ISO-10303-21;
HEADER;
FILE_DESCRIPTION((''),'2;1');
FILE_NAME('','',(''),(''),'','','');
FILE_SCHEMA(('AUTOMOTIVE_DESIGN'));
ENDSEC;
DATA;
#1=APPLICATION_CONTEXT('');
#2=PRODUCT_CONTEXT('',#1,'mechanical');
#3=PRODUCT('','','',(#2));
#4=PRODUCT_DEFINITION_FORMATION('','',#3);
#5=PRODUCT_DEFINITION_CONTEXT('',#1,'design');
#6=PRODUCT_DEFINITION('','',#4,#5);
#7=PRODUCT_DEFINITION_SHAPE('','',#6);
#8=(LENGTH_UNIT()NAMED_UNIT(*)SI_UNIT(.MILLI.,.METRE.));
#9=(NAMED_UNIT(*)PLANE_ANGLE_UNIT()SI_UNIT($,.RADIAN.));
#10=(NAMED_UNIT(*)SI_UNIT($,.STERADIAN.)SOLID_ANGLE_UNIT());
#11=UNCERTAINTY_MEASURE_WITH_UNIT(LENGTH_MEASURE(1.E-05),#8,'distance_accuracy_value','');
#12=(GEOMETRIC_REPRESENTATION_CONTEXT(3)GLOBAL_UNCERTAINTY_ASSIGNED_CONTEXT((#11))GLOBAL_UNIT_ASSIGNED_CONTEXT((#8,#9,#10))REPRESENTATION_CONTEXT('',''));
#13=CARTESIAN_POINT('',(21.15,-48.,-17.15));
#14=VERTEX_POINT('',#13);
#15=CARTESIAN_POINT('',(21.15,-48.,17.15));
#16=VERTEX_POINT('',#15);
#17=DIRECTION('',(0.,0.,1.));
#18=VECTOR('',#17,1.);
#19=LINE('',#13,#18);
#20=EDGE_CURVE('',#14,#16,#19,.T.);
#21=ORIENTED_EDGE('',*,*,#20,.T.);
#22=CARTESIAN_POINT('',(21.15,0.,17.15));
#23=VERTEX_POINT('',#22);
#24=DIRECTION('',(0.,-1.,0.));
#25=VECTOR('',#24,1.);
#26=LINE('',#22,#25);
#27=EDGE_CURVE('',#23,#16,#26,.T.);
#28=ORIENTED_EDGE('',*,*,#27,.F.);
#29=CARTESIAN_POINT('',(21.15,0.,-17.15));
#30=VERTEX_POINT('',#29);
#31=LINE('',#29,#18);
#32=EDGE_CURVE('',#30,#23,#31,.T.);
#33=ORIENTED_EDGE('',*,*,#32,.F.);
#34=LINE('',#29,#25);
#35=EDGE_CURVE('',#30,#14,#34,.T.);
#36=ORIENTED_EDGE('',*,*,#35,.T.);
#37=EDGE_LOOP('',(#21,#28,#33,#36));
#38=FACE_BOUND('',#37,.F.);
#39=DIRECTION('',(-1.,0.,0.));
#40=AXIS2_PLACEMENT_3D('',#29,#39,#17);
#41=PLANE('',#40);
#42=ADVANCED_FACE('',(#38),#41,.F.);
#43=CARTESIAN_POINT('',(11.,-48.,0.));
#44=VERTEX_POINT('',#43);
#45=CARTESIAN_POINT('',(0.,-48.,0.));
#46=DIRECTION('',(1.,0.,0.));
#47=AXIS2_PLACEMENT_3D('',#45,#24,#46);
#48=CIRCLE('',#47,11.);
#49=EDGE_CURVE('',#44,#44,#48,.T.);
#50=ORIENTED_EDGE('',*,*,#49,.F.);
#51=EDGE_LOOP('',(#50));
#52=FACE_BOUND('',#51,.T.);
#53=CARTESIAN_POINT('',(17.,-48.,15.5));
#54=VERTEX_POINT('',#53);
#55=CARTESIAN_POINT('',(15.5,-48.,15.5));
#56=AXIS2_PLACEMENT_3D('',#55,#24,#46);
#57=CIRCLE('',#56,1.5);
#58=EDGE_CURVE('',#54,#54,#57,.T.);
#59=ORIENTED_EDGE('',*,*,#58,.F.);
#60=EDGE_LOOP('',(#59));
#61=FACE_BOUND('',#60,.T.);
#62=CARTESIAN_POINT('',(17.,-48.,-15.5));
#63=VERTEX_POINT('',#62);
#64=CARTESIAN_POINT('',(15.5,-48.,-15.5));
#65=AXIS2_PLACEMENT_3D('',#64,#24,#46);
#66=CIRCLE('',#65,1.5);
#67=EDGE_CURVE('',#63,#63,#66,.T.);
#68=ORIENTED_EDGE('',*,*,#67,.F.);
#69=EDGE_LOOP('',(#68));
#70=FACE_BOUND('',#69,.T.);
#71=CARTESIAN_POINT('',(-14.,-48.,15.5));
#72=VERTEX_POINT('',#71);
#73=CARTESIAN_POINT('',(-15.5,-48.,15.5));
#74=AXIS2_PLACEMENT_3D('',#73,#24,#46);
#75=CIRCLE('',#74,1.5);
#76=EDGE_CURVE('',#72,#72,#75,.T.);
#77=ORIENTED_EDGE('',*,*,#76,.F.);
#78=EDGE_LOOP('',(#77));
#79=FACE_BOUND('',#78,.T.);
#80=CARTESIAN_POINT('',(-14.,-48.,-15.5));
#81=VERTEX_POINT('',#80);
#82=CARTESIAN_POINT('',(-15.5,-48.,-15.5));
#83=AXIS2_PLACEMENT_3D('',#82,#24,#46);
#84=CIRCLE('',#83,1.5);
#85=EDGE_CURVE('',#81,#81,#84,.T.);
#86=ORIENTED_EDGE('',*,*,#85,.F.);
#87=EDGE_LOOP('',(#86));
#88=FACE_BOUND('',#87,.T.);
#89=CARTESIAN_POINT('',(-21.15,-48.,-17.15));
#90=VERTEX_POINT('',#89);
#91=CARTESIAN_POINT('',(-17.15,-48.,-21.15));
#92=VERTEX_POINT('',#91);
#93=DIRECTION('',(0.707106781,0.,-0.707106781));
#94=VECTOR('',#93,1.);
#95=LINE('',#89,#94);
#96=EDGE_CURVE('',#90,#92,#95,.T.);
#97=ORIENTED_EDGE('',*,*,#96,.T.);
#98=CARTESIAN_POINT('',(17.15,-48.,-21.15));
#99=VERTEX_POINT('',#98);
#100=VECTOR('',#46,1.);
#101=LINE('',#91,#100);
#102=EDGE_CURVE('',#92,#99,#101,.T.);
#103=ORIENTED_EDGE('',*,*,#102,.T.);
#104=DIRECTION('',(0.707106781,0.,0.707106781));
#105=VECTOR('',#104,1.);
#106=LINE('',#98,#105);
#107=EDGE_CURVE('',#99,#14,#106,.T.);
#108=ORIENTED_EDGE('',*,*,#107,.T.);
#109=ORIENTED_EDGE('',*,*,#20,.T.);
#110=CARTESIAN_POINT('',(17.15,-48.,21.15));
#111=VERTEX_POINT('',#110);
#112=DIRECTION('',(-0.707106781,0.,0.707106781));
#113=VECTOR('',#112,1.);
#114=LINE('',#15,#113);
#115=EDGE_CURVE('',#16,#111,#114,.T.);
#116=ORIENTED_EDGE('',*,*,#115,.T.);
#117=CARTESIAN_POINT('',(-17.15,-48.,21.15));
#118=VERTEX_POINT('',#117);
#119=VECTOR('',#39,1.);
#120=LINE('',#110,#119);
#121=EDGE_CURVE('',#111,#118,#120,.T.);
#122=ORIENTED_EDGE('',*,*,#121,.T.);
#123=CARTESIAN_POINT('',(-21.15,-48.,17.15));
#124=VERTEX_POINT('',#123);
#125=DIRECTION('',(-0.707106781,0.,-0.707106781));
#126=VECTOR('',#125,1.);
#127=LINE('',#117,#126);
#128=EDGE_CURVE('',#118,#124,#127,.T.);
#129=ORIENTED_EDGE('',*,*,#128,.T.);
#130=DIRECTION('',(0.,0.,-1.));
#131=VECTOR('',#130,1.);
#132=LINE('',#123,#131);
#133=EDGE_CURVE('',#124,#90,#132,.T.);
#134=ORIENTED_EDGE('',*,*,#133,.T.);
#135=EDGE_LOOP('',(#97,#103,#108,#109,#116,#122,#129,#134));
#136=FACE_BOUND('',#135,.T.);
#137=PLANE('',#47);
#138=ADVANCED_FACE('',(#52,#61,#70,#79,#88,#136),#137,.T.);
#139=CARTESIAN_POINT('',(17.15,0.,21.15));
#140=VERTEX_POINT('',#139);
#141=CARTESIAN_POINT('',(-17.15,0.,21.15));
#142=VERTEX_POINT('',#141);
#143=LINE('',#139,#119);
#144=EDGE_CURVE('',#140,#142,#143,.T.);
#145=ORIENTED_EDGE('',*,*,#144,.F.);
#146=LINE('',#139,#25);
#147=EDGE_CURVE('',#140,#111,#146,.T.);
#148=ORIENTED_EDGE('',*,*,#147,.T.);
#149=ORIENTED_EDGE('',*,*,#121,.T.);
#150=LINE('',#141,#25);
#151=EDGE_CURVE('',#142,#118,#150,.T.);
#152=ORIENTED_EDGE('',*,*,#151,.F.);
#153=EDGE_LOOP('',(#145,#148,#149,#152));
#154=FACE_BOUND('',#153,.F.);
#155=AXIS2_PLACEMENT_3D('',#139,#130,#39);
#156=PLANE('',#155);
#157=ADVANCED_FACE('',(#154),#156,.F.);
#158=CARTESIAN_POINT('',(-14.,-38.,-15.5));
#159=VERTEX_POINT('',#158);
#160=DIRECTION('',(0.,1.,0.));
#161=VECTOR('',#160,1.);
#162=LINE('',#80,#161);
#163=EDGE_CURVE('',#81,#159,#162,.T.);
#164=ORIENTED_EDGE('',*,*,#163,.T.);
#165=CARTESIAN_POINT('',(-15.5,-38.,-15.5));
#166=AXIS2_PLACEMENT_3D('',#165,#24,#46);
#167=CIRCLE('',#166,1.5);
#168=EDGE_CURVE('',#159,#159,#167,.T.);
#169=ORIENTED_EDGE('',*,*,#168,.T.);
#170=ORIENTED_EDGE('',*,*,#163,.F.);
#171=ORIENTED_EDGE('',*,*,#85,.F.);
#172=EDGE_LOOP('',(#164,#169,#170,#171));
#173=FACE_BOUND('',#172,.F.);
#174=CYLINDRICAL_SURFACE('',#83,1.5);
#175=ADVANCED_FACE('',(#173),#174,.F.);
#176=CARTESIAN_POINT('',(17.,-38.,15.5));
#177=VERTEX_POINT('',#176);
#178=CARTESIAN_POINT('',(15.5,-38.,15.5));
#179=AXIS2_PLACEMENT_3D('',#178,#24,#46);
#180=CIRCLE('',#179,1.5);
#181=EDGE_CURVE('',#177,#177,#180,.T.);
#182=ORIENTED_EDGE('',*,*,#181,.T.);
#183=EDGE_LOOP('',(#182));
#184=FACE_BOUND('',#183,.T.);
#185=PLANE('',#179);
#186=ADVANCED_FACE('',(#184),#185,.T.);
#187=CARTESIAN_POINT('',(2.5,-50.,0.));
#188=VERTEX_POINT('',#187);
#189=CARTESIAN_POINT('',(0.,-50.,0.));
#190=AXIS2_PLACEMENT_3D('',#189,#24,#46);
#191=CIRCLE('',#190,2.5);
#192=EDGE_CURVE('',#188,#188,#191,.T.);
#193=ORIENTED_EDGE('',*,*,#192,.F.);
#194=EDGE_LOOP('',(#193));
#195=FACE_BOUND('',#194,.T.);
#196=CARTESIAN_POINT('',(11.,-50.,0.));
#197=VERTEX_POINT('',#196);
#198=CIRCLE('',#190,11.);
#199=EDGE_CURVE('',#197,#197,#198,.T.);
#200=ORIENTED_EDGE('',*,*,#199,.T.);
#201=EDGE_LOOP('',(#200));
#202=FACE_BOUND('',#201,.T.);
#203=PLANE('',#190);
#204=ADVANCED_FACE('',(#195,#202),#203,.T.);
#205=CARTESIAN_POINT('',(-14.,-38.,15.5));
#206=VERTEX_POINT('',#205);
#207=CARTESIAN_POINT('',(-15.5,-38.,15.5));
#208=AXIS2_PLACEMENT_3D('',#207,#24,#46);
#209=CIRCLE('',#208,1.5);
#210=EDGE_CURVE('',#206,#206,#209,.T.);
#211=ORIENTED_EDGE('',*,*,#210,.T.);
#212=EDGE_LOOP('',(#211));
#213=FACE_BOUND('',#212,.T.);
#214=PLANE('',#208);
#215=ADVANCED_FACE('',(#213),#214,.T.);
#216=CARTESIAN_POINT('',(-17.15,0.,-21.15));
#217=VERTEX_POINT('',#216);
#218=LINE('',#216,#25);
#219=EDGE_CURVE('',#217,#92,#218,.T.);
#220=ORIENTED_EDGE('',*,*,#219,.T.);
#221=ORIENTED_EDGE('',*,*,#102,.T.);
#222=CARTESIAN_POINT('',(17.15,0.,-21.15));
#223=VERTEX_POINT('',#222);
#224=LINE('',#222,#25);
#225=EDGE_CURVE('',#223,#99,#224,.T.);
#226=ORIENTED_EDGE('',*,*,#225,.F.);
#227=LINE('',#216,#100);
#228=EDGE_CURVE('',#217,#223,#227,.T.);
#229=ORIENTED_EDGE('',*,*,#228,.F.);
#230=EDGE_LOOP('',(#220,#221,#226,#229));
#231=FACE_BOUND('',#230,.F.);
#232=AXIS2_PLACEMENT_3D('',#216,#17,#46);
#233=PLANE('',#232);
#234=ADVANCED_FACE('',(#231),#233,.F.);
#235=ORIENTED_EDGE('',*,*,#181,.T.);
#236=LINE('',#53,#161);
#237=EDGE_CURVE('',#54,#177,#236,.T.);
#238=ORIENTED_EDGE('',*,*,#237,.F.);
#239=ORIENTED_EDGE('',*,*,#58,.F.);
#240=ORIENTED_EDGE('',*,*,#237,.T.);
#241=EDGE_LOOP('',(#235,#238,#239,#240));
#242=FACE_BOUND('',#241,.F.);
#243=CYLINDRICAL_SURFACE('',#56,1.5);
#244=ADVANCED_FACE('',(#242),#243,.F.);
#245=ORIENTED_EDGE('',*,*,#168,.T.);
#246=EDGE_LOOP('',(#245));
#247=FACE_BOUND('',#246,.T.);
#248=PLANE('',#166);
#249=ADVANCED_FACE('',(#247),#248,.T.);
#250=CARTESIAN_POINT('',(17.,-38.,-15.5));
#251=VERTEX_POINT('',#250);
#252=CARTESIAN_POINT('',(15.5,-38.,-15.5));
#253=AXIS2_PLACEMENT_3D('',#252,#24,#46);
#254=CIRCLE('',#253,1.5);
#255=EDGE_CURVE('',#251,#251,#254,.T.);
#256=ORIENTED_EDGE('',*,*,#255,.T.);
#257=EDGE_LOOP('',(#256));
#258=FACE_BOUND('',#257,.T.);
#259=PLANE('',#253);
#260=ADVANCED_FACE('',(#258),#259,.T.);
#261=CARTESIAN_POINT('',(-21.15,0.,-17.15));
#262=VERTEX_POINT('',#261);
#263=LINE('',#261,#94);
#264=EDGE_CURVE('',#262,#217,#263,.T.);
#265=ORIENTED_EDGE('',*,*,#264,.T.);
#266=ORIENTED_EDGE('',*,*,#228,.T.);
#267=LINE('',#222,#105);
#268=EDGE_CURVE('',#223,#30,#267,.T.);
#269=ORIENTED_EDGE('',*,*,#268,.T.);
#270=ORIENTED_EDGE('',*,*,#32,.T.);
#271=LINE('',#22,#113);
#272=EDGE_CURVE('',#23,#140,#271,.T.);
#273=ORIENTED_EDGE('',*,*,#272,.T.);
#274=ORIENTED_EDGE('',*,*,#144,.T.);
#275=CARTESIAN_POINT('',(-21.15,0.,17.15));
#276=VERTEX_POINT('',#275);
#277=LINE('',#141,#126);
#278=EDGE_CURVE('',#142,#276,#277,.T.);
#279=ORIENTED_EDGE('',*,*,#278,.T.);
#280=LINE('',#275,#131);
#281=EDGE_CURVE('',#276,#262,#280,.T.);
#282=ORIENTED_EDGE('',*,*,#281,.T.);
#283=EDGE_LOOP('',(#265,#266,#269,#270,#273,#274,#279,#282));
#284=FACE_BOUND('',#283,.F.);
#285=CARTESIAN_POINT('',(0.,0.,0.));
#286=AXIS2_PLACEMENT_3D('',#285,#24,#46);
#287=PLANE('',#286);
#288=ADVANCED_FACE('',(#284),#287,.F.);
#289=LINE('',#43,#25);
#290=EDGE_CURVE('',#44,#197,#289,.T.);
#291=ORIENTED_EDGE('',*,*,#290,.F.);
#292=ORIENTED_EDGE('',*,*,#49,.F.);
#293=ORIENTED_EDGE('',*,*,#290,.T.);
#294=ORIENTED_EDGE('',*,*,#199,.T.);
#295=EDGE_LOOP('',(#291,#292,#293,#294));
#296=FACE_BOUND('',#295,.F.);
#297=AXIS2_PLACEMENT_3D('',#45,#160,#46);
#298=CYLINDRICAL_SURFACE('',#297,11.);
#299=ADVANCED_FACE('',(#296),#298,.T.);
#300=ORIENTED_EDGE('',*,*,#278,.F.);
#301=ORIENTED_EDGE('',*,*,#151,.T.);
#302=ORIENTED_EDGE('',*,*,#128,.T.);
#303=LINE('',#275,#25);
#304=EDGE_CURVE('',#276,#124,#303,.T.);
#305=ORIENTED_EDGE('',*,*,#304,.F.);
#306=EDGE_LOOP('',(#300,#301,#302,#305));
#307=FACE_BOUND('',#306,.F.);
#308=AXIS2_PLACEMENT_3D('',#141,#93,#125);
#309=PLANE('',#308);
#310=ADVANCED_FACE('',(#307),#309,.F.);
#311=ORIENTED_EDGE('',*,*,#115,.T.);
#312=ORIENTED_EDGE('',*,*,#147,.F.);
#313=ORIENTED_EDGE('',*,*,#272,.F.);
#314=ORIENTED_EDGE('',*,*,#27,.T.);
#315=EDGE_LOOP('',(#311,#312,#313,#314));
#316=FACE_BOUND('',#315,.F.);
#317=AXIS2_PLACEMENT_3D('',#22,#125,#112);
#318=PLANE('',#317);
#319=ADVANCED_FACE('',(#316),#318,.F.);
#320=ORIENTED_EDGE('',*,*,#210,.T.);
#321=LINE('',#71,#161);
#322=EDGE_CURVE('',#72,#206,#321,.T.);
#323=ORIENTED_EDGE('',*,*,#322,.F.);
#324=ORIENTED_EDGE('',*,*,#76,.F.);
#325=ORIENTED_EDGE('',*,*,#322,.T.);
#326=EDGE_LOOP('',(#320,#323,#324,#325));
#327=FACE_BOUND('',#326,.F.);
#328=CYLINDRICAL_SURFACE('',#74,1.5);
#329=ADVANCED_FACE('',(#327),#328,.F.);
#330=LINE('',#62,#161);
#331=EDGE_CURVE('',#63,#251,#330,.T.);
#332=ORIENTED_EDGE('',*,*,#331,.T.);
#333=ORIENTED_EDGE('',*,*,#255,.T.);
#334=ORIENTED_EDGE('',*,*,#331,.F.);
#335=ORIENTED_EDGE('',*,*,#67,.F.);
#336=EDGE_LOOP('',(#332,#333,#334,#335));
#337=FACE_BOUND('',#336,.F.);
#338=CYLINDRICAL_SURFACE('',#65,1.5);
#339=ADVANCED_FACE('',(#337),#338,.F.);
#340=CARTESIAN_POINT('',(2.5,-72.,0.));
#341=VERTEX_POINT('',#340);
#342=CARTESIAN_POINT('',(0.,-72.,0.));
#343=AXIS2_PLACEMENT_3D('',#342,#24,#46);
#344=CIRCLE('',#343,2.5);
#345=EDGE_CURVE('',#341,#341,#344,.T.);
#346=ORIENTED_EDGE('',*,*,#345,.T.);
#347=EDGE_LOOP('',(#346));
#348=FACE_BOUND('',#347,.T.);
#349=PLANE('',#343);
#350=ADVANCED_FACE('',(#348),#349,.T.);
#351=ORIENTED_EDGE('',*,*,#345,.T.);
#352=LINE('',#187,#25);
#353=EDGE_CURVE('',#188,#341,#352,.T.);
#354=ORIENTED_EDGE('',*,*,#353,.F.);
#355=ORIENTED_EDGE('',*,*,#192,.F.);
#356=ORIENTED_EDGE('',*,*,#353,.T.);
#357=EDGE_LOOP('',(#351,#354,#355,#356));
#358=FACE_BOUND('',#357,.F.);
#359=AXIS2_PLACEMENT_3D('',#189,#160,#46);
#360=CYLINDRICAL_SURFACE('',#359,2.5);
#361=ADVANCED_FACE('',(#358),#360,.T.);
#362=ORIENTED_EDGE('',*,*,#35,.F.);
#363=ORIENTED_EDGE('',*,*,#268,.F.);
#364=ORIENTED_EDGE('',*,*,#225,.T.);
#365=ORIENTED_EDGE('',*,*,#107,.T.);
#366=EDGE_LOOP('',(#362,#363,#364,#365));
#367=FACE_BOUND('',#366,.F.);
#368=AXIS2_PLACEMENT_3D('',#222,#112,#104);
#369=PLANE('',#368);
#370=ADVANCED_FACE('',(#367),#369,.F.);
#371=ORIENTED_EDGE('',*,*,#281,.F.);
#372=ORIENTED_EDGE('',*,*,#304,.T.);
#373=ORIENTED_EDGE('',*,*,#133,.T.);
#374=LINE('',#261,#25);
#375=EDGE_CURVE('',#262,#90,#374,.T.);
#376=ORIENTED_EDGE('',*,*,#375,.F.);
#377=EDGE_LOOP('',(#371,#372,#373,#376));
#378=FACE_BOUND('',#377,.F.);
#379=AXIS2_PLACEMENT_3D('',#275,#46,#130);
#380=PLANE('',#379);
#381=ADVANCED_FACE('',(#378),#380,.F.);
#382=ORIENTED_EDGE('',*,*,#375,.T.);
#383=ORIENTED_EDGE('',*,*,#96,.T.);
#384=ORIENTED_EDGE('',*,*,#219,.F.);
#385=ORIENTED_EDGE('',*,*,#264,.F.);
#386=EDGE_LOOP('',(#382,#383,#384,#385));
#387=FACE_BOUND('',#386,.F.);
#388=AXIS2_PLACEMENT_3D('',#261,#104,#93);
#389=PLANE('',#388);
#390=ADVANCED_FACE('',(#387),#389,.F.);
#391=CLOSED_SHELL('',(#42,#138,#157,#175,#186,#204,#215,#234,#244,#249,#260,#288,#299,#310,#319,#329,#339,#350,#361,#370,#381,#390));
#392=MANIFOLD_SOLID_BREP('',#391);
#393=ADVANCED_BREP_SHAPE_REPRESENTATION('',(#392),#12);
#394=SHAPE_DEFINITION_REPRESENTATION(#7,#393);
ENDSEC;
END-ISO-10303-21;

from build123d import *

# Parameters (mm, degrees)
F1_DEPTH = 48
F2_R     = 11
F3_DEPTH = 2
F4_R     = 2.5
F5_DEPTH = 22
F6_R     = 1.5
F7_DEPTH = 10


with BuildPart() as f1:
    # F0 (on Front) → F1 (new body)
    with BuildSketch(Plane.XZ):
        Polygon((17.15, 21.15), (0, 21.15), (-17.15, 21.15), (-21.15, 17.15), (-21.15, 0), (-21.15, -17.15), (-17.15, -21.15), (0, -21.15), (17.15, -21.15), (21.15, -17.15), (21.15, 0), (21.15, 17.15), align=None)
    extrude(amount=F1_DEPTH)

    # F2 (on face) → F3 (join)
    with BuildSketch(Plane.XZ.offset(48)):
        Circle(F2_R)
    extrude(amount=F3_DEPTH)

    # F4 (on face) → F5 (join)
    with BuildSketch(Plane.XZ.offset(50)):
        Circle(F4_R)
    extrude(amount=F5_DEPTH)

    # F6 (on face) → F7 (cut)
    with BuildSketch(Plane.XZ.offset(48)):
        with Locations((-15.5, 15.5)):
            Circle(F6_R)
        with Locations((15.5, 15.5)):
            Circle(F6_R)
        with Locations((-15.5, -15.5)):
            Circle(F6_R)
        with Locations((15.5, -15.5)):
            Circle(F6_R)
    extrude(amount=-F7_DEPTH, mode=Mode.SUBTRACT)


solid = f1.part
